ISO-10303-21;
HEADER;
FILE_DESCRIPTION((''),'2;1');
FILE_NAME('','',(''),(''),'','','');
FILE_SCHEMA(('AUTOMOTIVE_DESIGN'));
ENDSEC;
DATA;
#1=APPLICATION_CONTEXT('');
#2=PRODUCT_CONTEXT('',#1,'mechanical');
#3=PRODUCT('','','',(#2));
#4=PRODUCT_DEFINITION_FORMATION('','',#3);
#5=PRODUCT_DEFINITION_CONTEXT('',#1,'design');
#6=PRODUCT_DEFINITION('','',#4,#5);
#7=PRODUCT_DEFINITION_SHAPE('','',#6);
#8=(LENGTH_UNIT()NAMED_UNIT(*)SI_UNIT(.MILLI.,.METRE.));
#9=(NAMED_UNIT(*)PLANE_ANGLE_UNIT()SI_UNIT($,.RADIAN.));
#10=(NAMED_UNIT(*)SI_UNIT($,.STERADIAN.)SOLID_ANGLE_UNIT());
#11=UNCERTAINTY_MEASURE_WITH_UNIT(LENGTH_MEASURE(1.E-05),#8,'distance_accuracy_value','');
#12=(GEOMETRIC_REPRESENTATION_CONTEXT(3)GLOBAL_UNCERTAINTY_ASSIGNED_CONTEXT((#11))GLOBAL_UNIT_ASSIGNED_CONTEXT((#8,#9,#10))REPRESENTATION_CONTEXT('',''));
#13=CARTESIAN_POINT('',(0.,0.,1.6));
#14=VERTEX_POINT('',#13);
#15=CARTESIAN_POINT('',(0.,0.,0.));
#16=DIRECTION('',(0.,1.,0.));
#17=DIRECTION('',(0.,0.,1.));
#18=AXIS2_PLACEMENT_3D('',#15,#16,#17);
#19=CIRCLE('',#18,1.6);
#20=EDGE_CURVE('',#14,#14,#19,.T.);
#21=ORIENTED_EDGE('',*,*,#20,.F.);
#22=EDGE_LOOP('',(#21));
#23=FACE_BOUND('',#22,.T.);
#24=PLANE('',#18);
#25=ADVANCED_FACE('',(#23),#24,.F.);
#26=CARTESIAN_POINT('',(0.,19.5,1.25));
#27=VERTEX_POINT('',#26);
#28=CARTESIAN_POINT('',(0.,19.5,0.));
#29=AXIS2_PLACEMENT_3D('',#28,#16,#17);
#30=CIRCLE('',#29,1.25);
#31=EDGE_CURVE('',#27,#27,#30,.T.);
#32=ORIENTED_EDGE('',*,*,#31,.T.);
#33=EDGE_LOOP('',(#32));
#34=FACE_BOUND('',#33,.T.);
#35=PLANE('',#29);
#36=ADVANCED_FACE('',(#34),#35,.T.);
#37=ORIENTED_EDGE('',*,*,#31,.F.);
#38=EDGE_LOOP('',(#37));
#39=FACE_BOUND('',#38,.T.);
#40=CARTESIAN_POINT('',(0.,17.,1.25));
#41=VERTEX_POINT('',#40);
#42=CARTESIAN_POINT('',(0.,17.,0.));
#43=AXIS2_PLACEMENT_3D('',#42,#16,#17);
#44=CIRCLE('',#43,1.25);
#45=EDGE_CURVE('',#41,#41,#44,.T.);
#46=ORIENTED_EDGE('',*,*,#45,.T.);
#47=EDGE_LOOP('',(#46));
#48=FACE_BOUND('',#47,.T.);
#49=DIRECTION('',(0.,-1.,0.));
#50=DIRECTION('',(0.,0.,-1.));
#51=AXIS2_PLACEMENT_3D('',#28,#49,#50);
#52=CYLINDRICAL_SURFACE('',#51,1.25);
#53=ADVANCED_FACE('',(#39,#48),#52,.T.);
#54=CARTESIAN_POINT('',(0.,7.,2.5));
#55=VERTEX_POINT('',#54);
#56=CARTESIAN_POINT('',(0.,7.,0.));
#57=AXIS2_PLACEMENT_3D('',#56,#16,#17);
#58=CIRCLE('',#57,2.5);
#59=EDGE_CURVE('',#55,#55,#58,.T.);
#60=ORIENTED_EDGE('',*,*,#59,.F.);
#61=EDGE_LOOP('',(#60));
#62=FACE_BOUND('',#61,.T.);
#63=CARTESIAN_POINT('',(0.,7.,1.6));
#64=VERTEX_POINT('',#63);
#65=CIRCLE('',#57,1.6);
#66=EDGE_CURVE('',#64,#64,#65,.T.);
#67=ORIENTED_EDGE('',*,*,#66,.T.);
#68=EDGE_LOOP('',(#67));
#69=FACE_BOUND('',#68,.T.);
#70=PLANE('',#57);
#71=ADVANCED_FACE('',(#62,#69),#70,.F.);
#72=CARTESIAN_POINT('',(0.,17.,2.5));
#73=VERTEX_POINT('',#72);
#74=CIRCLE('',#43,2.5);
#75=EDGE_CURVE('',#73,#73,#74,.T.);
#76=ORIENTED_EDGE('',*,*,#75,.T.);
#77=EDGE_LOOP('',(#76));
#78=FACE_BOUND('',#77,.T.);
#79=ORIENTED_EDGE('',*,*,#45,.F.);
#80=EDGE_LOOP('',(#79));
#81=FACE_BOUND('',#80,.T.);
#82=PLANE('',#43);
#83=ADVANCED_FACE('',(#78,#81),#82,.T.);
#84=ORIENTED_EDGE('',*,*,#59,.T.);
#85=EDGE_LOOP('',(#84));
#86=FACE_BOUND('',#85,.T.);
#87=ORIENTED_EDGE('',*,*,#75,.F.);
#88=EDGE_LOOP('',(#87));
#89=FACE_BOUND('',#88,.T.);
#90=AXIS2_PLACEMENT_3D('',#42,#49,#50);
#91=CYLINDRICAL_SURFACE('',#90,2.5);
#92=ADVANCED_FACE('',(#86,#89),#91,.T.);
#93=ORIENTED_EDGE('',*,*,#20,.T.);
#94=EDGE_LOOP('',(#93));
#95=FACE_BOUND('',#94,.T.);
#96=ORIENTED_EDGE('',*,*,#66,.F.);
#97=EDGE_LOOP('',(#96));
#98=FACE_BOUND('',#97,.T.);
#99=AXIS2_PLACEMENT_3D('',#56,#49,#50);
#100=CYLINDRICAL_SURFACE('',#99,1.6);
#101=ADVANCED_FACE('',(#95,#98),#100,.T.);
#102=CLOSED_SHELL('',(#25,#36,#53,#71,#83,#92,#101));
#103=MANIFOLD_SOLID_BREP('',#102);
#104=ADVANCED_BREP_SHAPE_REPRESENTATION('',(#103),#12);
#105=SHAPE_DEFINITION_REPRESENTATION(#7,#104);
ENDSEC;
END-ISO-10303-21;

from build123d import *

# Parameters (mm, degrees)
SKETCH_1_R      = 1.6
EXTRUDE_1_DEPTH = 7
SKETCH_2_R      = 2.5
EXTRUDE_2_DEPTH = 10
SKETCH_3_R      = 1.25
EXTRUDE_3_DEPTH = 2.5


with BuildPart() as part:
    # 草图1 → 凸台-拉伸1 (new body)
    with BuildSketch(Plane(origin=(0, 0, 0), x_dir=(1, 0, 0), z_dir=(0, 1, 0))):
        with Locations(Location((0, 0, 0), (0, 0, 270))):
            Circle(SKETCH_1_R)
    extrude(amount=EXTRUDE_1_DEPTH)

    # 草图2 → 凸台-拉伸2 (add)
    with BuildSketch(Plane(origin=(0, 7, 0), x_dir=(1, 0, 0), z_dir=(0, 1, 0))):
        with Locations(Location((0, 0, 0), (0, 0, 270))):
            Circle(SKETCH_2_R)
    extrude(amount=EXTRUDE_2_DEPTH)

    # 草图3 → 凸台-拉伸3 (add)
    with BuildSketch(Plane(origin=(0, 17, 0), x_dir=(1, 0, 0), z_dir=(0, 1, 0))):
        with Locations(Location((0, 0, 0), (0, 0, 270))):
            Circle(SKETCH_3_R)
    extrude(amount=EXTRUDE_3_DEPTH)


solid = part.part
